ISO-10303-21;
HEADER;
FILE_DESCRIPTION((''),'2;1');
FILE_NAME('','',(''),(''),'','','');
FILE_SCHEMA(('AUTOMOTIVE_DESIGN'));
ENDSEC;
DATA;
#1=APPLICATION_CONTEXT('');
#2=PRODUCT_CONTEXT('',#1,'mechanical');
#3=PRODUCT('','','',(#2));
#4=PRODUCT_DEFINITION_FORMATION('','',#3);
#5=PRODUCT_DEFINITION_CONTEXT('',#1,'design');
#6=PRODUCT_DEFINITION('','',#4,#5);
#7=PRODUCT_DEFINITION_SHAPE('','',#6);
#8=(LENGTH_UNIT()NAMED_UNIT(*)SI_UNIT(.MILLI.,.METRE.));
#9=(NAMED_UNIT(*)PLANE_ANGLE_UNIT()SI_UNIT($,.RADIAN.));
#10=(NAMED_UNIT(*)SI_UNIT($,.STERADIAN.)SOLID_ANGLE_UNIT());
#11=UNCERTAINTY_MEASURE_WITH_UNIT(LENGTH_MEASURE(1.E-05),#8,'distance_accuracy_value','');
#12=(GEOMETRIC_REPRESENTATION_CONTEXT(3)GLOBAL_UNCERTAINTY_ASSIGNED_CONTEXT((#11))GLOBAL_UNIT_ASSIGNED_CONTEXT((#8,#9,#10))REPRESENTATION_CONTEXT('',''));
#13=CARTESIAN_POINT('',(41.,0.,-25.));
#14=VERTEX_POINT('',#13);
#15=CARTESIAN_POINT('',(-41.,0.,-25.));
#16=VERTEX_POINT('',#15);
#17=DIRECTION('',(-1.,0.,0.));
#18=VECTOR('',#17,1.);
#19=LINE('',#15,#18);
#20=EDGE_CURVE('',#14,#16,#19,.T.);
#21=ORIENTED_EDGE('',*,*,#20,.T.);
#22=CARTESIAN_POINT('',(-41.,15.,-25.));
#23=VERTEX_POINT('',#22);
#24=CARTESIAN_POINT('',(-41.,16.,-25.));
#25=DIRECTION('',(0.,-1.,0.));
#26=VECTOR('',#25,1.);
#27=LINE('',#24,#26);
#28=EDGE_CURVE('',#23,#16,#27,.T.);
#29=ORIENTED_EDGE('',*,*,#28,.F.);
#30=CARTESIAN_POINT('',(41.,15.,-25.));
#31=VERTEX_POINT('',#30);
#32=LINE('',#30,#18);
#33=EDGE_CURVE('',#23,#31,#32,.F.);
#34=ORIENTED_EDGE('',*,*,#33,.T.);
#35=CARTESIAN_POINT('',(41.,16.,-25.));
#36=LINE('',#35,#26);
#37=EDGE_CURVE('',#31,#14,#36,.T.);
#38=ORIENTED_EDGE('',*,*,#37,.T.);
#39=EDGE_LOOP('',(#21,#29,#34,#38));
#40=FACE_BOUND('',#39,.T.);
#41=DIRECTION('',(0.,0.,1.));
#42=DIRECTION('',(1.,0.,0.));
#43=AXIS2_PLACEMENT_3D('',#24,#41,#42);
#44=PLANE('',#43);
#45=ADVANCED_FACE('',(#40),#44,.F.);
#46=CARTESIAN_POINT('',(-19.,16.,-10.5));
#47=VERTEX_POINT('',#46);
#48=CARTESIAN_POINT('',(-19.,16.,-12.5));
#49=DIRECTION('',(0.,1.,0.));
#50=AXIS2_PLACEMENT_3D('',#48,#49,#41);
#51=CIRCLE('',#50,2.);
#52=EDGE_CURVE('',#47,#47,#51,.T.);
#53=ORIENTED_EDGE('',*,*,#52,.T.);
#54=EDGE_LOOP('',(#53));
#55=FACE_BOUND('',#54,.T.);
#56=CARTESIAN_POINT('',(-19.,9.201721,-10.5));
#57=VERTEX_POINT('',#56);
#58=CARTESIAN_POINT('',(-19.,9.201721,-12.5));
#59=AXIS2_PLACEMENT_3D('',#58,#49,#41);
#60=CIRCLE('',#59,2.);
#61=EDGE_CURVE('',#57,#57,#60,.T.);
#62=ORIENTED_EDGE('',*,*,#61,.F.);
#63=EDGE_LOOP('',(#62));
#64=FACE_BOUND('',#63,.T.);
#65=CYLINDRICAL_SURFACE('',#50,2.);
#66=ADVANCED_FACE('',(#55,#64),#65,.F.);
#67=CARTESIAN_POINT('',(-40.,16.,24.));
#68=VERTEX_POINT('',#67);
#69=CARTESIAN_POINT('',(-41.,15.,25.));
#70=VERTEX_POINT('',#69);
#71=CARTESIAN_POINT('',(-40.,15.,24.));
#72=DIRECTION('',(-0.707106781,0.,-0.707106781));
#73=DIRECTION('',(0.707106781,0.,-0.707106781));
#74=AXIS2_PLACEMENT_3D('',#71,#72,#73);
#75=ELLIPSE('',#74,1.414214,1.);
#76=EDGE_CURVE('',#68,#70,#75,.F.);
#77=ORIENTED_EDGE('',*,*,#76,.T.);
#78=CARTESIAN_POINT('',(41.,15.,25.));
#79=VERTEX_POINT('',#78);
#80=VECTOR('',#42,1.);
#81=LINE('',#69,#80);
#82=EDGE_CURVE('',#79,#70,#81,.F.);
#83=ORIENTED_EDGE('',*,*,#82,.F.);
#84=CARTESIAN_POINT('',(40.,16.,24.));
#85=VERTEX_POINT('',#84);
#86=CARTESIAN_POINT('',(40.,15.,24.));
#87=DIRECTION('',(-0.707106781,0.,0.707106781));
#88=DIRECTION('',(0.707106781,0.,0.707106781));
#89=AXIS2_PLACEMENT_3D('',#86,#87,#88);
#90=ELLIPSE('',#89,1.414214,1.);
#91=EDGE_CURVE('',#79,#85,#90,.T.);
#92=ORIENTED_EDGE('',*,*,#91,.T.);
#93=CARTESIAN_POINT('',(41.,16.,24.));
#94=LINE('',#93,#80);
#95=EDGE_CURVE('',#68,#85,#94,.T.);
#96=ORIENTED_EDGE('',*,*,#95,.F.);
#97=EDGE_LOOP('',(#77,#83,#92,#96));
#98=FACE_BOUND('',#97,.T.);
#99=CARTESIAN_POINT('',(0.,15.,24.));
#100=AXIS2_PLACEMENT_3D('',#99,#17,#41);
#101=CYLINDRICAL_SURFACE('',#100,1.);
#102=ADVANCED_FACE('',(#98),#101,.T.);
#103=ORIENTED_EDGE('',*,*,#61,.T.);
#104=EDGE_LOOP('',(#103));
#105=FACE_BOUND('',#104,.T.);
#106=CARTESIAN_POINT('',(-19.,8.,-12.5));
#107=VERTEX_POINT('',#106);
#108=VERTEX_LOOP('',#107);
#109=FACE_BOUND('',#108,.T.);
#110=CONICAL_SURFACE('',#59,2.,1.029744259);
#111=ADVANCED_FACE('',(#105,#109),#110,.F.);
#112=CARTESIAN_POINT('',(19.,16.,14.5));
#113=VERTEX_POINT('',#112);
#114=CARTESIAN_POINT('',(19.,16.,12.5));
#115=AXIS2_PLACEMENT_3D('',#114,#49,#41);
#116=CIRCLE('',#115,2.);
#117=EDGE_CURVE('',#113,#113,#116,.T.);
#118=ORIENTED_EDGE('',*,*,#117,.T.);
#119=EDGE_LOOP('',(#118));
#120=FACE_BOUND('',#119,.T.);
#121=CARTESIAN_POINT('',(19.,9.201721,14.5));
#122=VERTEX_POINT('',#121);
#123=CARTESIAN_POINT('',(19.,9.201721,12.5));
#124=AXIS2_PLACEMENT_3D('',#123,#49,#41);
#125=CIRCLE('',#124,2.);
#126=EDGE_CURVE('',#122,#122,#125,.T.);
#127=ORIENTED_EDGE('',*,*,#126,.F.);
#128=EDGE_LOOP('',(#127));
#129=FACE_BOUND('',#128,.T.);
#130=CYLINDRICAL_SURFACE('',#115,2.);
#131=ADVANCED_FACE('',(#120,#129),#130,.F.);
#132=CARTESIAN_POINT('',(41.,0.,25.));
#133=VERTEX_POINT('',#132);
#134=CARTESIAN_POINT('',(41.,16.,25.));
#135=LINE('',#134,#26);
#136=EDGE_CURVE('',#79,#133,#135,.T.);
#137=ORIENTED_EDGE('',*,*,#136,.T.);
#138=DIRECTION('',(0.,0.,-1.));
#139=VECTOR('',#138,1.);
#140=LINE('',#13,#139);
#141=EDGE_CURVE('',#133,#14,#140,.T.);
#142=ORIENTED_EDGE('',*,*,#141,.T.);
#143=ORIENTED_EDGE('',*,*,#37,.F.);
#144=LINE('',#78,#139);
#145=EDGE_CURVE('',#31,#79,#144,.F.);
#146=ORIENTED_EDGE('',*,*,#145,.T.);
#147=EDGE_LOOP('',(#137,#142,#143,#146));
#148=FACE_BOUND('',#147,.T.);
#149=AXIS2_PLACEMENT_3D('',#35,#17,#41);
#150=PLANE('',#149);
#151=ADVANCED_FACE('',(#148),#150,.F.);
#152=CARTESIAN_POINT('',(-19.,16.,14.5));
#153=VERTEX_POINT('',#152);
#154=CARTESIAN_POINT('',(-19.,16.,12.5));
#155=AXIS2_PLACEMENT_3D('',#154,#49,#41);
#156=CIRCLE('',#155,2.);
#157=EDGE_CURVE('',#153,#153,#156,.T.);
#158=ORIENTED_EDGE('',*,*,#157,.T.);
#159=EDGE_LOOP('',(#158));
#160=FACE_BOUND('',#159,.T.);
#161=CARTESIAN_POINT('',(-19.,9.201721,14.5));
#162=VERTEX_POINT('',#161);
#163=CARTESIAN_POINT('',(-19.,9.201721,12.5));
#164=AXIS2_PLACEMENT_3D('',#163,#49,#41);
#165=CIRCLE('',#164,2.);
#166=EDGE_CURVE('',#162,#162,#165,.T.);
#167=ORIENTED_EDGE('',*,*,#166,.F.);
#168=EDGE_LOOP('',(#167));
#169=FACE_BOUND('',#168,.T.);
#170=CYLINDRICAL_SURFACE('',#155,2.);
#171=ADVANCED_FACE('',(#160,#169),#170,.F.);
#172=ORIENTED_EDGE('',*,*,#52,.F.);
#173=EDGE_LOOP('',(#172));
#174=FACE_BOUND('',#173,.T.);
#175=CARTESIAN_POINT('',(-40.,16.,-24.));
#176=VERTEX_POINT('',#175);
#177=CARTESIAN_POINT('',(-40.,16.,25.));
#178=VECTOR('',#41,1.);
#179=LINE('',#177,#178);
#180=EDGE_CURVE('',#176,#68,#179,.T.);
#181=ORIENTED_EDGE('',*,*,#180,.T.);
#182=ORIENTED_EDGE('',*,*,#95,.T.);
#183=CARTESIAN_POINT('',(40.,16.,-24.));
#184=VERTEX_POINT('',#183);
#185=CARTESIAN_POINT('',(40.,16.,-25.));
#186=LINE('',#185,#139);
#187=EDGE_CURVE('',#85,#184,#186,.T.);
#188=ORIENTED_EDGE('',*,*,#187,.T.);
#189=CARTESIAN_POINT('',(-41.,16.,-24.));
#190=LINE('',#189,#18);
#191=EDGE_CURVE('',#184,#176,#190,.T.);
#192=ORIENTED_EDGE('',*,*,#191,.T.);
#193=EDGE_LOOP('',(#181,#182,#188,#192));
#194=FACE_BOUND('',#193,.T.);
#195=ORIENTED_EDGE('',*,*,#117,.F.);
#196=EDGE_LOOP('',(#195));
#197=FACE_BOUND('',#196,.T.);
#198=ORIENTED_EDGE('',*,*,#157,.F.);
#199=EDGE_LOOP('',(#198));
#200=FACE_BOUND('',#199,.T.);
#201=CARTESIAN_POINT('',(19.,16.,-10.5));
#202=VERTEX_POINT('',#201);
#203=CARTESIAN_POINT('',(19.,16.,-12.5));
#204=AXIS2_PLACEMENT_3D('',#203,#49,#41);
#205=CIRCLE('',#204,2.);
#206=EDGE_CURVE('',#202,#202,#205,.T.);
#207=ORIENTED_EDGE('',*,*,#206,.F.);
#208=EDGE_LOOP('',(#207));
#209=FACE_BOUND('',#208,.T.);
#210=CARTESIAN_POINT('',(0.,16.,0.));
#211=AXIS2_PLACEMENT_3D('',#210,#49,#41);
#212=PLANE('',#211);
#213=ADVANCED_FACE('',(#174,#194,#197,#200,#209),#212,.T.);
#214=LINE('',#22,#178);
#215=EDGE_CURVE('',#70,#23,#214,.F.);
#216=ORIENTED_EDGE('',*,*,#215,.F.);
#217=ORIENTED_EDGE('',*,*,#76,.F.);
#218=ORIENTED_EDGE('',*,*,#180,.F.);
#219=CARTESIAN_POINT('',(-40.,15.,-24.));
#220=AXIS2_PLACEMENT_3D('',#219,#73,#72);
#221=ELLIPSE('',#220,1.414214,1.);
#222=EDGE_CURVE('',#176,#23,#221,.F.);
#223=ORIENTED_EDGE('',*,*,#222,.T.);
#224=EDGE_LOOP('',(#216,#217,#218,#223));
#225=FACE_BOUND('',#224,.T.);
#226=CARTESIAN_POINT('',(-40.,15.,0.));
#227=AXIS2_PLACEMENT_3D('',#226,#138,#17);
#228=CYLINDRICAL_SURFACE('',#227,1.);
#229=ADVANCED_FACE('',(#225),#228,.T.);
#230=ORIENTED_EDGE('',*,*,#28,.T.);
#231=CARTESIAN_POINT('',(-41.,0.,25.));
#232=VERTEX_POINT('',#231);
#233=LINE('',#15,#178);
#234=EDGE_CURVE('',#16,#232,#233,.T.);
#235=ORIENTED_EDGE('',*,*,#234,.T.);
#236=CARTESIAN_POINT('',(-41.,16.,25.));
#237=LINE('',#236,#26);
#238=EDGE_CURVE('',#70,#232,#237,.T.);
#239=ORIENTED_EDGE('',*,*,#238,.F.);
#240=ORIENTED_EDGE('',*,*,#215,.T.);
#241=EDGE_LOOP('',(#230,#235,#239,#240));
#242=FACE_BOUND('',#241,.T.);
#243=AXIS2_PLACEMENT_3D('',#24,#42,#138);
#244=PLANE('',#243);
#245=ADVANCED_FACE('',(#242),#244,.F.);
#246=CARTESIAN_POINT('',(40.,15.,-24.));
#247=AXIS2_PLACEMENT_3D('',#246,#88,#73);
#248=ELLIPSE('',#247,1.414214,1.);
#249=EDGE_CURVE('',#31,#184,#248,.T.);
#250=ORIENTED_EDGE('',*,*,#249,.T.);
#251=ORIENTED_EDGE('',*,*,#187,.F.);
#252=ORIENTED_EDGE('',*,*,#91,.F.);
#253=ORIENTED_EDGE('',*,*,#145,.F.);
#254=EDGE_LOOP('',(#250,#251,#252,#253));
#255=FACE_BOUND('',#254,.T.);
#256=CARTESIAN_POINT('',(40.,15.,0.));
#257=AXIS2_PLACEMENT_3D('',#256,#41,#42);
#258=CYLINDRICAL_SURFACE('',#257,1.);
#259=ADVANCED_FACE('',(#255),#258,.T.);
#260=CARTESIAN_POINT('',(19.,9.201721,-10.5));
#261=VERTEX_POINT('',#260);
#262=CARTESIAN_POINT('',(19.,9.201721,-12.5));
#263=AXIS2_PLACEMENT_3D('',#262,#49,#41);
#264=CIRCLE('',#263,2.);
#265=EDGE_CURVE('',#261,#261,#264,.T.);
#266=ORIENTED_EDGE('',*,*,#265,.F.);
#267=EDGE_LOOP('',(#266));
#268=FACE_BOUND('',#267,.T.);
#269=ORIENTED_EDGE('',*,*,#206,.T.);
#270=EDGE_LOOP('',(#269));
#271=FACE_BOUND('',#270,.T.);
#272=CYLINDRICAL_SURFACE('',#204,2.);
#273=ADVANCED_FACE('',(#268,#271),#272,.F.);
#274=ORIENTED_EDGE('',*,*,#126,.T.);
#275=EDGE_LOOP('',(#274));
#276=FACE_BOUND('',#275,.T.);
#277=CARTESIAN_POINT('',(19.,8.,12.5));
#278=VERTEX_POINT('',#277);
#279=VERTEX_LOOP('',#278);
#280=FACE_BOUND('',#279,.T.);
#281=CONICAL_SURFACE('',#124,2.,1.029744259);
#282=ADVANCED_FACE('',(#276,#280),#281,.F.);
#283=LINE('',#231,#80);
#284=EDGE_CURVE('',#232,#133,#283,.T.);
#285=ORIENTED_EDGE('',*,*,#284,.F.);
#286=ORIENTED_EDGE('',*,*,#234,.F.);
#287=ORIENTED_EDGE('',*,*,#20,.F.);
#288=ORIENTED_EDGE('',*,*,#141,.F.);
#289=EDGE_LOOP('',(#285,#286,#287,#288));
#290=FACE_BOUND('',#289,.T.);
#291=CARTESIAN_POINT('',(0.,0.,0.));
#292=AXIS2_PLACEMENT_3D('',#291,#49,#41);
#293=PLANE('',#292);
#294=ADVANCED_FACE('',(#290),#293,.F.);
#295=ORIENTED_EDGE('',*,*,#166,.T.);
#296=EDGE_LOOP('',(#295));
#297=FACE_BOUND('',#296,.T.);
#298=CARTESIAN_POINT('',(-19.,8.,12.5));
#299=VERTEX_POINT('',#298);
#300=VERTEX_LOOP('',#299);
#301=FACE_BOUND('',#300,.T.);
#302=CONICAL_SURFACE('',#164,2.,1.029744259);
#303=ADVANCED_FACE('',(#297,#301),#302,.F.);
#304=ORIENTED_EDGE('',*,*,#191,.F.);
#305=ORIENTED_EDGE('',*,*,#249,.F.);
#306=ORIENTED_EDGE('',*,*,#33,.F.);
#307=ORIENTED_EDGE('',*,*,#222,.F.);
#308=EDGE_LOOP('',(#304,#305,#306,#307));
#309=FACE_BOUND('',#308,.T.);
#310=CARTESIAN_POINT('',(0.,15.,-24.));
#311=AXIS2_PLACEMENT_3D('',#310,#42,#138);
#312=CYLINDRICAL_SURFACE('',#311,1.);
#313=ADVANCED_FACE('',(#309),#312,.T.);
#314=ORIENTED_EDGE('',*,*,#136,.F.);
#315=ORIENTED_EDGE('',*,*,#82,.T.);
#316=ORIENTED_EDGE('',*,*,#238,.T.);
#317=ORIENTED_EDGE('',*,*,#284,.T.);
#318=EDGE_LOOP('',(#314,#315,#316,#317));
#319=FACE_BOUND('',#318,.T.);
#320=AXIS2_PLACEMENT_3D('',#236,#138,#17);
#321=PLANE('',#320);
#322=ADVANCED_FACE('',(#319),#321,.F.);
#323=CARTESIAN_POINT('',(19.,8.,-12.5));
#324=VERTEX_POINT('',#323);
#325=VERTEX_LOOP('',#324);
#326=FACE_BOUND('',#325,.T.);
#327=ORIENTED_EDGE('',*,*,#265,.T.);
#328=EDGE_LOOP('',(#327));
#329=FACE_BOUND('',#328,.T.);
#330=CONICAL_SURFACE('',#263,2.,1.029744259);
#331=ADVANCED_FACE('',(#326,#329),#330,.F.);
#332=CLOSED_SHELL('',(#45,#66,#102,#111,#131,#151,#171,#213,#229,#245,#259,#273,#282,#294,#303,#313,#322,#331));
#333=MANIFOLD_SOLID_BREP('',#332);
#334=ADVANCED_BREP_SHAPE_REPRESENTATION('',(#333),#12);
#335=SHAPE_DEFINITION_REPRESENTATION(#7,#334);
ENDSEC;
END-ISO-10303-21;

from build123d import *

# Parameters (mm, degrees)
SKETCH1_W                    = 82
SKETCH1_H                    = 50
BOSS_EXTRUDE1_DEPTH          = 16
FILLET1_R                    = 1
F_4_0_4_DIAMETER_HOLE3_D     = 4
F_4_0_4_DIAMETER_HOLE3_DEPTH = 6.798278762
F_4_0_4_DIAMETER_HOLE3_TIP   = 1.201721238


with BuildPart() as part:
    # Sketch1 → Boss-Extrude1 (new body)
    with BuildSketch(Plane(origin=(0, 0, 0), x_dir=(1, 0, 0), z_dir=(0, 1, 0))):
        Rectangle(SKETCH1_W, SKETCH1_H)
    extrude(amount=BOSS_EXTRUDE1_DEPTH)

    # Fillet1
    fillet1_edges = [part.edges().sort_by_distance(p)[0] for p in [
        (-41, 16, 0),
        (0, 16, 25),
        (41, 16, 0),
        (0, 16, -25),
    ]]
    fillet(fillet1_edges, radius=FILLET1_R)

    # Ø4.0 (4) Diameter Hole3
    with Locations(Plane(origin=(0, 16, 0), x_dir=(1, 0, 0), z_dir=(0, 1, 0))):
        with Locations((-19, 12.5), (19, 12.5), (19, -12.5), (-19, -12.5)):
            Hole(F_4_0_4_DIAMETER_HOLE3_D / 2, depth=F_4_0_4_DIAMETER_HOLE3_DEPTH)
            with Locations((0, 0, -(F_4_0_4_DIAMETER_HOLE3_DEPTH + F_4_0_4_DIAMETER_HOLE3_TIP / 2))):  # 118° drill point
                Cone(0, F_4_0_4_DIAMETER_HOLE3_D / 2, F_4_0_4_DIAMETER_HOLE3_TIP, mode=Mode.SUBTRACT)


solid = part.part
